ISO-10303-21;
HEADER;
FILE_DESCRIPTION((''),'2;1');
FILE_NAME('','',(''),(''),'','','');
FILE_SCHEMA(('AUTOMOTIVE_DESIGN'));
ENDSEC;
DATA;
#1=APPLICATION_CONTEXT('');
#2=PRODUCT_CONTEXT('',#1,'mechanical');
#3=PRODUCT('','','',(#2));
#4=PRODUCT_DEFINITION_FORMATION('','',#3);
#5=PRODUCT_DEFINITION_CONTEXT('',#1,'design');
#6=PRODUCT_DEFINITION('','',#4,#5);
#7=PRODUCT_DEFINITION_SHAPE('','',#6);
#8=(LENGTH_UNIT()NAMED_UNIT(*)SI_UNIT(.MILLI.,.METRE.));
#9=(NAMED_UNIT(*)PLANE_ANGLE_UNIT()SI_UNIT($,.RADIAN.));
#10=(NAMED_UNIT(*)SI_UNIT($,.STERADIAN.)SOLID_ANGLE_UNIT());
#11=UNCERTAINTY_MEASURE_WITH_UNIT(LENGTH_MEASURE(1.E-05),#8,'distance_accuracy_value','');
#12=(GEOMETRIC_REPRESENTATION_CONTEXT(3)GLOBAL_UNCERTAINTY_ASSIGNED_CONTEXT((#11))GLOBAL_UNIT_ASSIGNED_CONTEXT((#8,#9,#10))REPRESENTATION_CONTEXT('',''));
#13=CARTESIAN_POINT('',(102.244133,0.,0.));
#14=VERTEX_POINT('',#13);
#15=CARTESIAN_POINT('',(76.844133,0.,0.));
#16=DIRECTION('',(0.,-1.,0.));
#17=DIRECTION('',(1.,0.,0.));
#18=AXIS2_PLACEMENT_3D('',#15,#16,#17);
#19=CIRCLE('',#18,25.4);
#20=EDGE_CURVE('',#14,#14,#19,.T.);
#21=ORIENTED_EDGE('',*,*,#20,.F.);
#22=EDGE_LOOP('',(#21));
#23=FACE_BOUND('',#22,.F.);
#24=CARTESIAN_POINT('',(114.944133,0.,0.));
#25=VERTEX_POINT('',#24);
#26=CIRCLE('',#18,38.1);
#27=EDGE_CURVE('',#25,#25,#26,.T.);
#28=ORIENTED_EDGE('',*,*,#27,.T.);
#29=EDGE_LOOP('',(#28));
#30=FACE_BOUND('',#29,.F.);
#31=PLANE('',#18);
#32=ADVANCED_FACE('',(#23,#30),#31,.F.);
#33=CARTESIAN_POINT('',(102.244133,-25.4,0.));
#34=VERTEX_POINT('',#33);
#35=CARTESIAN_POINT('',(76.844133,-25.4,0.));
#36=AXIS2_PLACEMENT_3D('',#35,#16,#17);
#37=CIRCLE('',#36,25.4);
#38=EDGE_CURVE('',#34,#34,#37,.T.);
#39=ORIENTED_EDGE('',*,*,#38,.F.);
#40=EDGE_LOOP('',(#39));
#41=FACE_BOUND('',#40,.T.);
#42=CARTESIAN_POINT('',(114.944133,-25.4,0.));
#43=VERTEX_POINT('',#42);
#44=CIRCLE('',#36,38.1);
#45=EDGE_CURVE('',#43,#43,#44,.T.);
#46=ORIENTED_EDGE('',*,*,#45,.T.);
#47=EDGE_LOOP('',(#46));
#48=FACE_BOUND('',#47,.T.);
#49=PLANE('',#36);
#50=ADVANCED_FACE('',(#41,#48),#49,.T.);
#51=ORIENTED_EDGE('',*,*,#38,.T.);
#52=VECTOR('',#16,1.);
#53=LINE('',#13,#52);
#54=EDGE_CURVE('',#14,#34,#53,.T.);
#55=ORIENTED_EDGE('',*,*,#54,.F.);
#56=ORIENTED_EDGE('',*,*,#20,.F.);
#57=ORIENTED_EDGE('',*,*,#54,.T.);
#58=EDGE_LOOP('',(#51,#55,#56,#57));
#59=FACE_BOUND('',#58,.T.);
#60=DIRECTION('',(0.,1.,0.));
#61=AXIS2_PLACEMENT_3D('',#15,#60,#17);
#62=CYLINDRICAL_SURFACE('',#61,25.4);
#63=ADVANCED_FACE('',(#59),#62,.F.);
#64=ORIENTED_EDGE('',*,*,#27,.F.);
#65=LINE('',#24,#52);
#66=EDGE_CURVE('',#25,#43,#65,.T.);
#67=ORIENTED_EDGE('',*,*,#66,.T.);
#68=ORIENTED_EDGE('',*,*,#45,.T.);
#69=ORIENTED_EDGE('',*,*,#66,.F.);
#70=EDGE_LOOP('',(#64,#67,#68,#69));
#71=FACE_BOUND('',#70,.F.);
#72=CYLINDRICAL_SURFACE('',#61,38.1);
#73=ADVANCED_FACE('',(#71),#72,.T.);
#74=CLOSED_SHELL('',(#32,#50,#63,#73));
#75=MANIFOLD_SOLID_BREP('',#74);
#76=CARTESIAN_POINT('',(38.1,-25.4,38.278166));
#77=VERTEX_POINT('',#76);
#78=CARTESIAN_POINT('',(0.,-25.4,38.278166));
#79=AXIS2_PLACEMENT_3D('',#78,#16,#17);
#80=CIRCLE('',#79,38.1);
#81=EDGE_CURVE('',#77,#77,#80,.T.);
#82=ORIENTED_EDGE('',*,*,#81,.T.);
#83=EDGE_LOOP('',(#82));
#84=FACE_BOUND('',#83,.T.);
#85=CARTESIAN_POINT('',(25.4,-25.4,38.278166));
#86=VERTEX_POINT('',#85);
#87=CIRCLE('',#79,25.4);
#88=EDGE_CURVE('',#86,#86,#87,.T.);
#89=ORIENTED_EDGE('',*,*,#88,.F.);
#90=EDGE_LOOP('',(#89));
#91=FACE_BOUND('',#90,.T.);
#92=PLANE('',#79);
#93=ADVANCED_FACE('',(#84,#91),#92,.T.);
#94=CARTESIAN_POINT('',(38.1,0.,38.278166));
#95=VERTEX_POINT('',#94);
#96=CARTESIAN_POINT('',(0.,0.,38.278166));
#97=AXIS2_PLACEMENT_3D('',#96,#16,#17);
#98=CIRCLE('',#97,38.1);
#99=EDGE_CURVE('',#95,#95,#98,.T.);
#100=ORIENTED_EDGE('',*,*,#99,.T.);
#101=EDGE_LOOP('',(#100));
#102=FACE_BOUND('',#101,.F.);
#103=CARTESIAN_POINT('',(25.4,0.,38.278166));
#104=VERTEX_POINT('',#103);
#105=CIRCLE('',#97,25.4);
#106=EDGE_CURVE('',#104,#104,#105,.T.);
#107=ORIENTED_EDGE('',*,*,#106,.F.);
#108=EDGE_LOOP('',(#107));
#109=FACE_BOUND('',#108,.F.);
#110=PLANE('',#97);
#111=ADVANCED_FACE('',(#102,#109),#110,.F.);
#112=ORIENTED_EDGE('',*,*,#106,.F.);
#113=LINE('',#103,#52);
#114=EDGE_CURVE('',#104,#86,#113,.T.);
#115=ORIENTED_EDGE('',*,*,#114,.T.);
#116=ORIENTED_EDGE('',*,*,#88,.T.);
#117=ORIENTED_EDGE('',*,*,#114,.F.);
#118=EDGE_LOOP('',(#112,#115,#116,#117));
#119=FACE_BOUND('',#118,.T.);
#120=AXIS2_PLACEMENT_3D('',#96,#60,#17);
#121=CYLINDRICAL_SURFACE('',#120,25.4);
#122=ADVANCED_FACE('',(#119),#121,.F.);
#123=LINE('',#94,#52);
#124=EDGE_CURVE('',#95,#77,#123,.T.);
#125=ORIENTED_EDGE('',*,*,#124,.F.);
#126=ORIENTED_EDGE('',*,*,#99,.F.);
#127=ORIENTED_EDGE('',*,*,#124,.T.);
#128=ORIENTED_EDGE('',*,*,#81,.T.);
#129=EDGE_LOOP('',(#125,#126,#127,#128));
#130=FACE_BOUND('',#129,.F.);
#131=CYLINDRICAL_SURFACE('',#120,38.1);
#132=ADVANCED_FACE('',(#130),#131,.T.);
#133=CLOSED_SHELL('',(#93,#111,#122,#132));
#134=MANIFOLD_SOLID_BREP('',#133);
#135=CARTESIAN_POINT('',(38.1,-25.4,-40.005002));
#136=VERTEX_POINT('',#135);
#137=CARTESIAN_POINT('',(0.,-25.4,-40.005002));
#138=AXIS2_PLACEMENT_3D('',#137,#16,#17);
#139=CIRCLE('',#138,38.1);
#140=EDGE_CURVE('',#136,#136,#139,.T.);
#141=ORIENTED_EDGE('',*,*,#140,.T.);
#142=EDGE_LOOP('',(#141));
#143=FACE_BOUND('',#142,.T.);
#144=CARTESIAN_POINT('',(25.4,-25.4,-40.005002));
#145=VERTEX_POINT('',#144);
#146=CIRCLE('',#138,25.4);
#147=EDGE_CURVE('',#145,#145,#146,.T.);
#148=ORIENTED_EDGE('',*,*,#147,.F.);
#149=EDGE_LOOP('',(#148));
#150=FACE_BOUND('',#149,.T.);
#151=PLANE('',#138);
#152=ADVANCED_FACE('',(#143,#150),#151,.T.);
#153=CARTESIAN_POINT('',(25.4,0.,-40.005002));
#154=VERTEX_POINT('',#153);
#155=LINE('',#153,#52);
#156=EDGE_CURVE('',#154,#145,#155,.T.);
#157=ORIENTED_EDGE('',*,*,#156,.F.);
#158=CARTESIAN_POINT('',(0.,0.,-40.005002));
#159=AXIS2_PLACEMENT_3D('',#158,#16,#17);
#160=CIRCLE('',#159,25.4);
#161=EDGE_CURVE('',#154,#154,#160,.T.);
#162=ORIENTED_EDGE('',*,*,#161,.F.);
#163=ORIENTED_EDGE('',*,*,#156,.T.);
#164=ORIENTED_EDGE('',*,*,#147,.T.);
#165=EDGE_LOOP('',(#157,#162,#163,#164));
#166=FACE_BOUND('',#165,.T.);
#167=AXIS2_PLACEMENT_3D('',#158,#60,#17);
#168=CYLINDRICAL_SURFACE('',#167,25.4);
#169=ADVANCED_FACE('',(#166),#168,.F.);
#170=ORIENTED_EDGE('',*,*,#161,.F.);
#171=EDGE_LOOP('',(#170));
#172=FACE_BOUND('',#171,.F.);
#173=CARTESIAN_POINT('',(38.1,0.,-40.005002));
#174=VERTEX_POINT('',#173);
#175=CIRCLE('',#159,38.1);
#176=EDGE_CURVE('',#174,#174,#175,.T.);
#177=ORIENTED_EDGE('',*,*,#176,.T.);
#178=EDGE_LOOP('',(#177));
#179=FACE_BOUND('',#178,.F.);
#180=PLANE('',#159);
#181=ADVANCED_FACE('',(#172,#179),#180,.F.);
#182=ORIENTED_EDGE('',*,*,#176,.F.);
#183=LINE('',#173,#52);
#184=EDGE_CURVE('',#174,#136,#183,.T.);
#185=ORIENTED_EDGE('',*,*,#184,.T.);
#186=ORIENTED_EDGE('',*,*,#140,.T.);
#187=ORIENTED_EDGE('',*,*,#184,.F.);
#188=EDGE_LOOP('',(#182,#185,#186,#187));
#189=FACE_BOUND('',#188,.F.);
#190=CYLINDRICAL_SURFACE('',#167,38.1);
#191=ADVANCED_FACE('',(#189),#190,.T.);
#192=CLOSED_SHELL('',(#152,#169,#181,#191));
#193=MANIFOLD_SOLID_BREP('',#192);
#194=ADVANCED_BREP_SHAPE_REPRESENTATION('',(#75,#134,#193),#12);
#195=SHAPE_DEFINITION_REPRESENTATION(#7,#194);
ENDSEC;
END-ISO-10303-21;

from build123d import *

# Parameters (mm, degrees)
F0_R     = 38.1
F0_R_2   = 25.4
F1_DEPTH = 25.4


with BuildPart() as f1:
    # F0 (on Front) → F1 (new body)
    with BuildSketch(Plane.XZ):
        with Locations((0, 38.278166)):
            Circle(F0_R)
        with Locations((0, 38.278166)):
            Circle(F0_R_2, mode=Mode.SUBTRACT)
        with Locations((0, -40.005002)):
            Circle(F0_R)
        with Locations((0, -40.005002)):
            Circle(F0_R_2, mode=Mode.SUBTRACT)
        with Locations((76.844133, 0)):
            Circle(F0_R)
        with Locations((76.844133, 0)):
            Circle(F0_R_2, mode=Mode.SUBTRACT)
    extrude(amount=F1_DEPTH)


solid = f1.part
